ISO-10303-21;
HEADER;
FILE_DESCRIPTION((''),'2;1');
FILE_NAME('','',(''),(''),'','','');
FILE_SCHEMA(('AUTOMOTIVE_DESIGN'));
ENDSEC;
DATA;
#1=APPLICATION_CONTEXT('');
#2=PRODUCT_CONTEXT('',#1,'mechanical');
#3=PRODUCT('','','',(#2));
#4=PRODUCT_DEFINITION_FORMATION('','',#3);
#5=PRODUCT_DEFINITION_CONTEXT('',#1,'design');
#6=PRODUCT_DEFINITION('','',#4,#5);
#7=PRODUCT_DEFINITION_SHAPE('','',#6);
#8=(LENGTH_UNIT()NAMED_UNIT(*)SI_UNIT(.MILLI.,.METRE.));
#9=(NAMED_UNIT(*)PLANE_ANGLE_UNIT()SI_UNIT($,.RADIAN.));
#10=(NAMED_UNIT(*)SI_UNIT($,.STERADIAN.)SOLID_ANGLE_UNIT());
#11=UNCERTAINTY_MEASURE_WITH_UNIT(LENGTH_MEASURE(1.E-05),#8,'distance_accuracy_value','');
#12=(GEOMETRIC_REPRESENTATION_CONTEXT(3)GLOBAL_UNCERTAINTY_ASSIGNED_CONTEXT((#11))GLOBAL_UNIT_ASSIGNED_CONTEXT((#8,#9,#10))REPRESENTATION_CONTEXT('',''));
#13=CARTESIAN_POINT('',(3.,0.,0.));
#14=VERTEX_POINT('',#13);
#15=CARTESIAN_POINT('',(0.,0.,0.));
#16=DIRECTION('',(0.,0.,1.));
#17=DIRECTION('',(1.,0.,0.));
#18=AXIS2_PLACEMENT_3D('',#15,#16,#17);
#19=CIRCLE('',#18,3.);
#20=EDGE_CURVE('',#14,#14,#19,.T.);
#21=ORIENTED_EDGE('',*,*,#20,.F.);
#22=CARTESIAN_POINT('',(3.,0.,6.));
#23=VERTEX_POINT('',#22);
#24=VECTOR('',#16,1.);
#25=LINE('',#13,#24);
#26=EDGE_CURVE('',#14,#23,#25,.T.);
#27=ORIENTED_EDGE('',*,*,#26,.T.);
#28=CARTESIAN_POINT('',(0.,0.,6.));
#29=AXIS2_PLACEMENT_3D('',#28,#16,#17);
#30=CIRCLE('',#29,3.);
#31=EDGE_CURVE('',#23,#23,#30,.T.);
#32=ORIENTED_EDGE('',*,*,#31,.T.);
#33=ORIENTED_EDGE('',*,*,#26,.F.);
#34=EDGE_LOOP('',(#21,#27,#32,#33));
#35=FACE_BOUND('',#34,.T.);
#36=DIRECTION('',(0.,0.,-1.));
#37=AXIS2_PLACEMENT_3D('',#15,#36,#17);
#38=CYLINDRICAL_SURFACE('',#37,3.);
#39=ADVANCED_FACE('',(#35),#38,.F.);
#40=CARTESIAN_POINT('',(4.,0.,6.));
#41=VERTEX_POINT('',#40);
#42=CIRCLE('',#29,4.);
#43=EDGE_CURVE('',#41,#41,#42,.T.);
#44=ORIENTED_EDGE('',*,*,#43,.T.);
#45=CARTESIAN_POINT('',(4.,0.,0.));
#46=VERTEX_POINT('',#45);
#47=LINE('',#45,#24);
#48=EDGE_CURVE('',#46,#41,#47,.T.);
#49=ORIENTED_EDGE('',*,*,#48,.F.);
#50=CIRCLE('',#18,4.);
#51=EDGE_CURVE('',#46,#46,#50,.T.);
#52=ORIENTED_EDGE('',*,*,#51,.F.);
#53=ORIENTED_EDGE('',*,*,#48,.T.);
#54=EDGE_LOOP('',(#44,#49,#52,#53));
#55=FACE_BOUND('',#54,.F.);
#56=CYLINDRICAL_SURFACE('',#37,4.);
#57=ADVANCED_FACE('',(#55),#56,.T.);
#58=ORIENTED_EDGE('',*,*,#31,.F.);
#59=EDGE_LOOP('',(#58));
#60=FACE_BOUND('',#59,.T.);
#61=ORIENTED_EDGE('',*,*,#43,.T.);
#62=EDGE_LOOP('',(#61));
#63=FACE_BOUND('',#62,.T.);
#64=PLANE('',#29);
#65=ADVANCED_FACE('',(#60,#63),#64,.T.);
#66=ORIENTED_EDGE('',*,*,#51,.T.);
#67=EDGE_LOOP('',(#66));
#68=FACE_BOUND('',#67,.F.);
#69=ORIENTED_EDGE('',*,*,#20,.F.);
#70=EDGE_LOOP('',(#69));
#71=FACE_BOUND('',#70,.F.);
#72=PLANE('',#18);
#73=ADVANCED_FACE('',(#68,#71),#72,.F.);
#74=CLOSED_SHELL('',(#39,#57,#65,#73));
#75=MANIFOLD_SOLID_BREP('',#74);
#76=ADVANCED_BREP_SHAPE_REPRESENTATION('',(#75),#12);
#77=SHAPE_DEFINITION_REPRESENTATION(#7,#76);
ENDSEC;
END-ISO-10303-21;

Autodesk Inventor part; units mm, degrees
ref_plane "YZ Plane" through (0, 0, 0) normal (1, 0, 0) x (0, 1, 0)
ref_plane "XZ Plane" through (0, 0, 0) normal (0, 1, 0) x (-1, 0, 0)
ref_plane "XY Plane" through (0, 0, 0) normal (0, 0, 1) x (1, 0, 0)
sketch "スケッチ1" plane through (0, 0, 0) normal (0, 0, 1) x (1, 0, 0)
  circle A0 centre (0, 0) radius 3
  circle A1 centre (0, 0) radius 4
  dimension "d0" = 6
  dimension "d1" = 8
extrude "押し出し1" add sketch "スケッチ1" along normal blind 6
properties part number "オイレスd6D8L6" material "アセタール樹脂、黒"
